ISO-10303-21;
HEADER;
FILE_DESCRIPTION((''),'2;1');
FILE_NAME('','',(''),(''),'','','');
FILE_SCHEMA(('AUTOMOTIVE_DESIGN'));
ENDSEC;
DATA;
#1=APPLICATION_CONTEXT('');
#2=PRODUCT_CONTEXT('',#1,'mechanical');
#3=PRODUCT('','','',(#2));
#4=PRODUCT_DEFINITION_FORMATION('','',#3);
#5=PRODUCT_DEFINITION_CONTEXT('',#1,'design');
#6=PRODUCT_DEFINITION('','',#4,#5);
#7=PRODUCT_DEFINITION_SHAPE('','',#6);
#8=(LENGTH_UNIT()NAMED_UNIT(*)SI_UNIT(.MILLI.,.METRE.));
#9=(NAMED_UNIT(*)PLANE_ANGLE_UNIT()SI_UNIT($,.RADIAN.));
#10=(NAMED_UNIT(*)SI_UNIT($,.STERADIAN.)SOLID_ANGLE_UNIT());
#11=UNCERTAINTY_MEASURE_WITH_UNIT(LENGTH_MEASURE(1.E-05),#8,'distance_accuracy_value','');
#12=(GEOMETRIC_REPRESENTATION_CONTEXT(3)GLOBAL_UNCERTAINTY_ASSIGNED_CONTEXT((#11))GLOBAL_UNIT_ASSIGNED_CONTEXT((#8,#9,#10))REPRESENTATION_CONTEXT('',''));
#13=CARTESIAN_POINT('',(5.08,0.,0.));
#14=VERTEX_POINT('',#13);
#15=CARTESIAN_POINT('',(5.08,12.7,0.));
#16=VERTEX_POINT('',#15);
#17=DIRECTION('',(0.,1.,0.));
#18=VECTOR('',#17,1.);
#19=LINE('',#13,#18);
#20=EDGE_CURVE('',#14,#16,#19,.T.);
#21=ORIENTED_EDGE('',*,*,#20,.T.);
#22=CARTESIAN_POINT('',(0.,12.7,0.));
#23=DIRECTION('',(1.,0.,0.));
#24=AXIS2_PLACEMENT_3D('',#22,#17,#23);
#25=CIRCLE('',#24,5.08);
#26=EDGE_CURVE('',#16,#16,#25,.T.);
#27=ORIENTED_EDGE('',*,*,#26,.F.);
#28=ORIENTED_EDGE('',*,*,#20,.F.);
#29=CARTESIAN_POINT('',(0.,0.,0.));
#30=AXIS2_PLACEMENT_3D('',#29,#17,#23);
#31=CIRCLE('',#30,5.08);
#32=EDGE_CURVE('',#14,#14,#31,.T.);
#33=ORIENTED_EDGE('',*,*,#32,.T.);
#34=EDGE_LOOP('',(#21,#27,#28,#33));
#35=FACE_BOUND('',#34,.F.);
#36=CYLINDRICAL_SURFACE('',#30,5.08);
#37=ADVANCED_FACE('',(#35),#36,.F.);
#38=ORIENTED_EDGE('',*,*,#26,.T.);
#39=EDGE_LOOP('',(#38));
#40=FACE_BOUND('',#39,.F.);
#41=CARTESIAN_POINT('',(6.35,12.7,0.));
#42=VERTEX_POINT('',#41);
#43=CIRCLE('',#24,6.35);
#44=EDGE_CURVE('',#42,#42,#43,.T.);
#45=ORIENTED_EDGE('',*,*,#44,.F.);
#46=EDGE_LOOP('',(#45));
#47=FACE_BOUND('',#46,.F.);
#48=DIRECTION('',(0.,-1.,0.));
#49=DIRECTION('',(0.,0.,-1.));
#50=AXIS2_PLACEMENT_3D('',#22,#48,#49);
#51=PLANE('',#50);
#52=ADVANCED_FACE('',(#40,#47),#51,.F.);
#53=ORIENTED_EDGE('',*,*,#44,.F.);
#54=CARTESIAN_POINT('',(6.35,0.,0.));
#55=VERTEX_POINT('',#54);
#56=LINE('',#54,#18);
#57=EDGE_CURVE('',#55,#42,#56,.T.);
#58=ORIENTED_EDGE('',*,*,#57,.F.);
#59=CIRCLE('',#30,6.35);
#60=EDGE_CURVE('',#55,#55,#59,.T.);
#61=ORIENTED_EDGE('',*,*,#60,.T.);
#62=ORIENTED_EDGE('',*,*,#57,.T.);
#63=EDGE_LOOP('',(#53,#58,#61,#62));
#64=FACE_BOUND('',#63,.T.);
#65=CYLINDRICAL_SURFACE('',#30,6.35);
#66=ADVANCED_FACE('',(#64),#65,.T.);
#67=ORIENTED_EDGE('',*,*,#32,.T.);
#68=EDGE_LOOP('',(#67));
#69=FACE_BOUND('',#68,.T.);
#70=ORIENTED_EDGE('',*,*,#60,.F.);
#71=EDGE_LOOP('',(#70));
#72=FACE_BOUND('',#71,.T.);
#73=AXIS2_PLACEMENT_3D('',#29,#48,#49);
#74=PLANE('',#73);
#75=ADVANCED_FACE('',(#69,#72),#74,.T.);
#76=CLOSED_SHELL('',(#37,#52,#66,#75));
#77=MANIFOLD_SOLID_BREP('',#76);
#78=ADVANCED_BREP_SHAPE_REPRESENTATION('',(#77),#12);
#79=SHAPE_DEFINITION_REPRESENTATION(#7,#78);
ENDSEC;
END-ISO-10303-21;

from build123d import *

# Parameters (mm, degrees)
F0_R   = 6.35
F0_R_2 = 5.08


with BuildPart() as f2:
    # F2: sweep along a path in F1
    with BuildLine(Plane.YZ) as f2_path:
        Line((0, 0), (12.7, 0))
    # F0 (on Front) → F2 (sweep)
    with BuildSketch(Plane.XZ):
        Circle(F0_R)
        Circle(F0_R_2, mode=Mode.SUBTRACT)
    sweep(path=f2_path.line)


solid = f2.part
